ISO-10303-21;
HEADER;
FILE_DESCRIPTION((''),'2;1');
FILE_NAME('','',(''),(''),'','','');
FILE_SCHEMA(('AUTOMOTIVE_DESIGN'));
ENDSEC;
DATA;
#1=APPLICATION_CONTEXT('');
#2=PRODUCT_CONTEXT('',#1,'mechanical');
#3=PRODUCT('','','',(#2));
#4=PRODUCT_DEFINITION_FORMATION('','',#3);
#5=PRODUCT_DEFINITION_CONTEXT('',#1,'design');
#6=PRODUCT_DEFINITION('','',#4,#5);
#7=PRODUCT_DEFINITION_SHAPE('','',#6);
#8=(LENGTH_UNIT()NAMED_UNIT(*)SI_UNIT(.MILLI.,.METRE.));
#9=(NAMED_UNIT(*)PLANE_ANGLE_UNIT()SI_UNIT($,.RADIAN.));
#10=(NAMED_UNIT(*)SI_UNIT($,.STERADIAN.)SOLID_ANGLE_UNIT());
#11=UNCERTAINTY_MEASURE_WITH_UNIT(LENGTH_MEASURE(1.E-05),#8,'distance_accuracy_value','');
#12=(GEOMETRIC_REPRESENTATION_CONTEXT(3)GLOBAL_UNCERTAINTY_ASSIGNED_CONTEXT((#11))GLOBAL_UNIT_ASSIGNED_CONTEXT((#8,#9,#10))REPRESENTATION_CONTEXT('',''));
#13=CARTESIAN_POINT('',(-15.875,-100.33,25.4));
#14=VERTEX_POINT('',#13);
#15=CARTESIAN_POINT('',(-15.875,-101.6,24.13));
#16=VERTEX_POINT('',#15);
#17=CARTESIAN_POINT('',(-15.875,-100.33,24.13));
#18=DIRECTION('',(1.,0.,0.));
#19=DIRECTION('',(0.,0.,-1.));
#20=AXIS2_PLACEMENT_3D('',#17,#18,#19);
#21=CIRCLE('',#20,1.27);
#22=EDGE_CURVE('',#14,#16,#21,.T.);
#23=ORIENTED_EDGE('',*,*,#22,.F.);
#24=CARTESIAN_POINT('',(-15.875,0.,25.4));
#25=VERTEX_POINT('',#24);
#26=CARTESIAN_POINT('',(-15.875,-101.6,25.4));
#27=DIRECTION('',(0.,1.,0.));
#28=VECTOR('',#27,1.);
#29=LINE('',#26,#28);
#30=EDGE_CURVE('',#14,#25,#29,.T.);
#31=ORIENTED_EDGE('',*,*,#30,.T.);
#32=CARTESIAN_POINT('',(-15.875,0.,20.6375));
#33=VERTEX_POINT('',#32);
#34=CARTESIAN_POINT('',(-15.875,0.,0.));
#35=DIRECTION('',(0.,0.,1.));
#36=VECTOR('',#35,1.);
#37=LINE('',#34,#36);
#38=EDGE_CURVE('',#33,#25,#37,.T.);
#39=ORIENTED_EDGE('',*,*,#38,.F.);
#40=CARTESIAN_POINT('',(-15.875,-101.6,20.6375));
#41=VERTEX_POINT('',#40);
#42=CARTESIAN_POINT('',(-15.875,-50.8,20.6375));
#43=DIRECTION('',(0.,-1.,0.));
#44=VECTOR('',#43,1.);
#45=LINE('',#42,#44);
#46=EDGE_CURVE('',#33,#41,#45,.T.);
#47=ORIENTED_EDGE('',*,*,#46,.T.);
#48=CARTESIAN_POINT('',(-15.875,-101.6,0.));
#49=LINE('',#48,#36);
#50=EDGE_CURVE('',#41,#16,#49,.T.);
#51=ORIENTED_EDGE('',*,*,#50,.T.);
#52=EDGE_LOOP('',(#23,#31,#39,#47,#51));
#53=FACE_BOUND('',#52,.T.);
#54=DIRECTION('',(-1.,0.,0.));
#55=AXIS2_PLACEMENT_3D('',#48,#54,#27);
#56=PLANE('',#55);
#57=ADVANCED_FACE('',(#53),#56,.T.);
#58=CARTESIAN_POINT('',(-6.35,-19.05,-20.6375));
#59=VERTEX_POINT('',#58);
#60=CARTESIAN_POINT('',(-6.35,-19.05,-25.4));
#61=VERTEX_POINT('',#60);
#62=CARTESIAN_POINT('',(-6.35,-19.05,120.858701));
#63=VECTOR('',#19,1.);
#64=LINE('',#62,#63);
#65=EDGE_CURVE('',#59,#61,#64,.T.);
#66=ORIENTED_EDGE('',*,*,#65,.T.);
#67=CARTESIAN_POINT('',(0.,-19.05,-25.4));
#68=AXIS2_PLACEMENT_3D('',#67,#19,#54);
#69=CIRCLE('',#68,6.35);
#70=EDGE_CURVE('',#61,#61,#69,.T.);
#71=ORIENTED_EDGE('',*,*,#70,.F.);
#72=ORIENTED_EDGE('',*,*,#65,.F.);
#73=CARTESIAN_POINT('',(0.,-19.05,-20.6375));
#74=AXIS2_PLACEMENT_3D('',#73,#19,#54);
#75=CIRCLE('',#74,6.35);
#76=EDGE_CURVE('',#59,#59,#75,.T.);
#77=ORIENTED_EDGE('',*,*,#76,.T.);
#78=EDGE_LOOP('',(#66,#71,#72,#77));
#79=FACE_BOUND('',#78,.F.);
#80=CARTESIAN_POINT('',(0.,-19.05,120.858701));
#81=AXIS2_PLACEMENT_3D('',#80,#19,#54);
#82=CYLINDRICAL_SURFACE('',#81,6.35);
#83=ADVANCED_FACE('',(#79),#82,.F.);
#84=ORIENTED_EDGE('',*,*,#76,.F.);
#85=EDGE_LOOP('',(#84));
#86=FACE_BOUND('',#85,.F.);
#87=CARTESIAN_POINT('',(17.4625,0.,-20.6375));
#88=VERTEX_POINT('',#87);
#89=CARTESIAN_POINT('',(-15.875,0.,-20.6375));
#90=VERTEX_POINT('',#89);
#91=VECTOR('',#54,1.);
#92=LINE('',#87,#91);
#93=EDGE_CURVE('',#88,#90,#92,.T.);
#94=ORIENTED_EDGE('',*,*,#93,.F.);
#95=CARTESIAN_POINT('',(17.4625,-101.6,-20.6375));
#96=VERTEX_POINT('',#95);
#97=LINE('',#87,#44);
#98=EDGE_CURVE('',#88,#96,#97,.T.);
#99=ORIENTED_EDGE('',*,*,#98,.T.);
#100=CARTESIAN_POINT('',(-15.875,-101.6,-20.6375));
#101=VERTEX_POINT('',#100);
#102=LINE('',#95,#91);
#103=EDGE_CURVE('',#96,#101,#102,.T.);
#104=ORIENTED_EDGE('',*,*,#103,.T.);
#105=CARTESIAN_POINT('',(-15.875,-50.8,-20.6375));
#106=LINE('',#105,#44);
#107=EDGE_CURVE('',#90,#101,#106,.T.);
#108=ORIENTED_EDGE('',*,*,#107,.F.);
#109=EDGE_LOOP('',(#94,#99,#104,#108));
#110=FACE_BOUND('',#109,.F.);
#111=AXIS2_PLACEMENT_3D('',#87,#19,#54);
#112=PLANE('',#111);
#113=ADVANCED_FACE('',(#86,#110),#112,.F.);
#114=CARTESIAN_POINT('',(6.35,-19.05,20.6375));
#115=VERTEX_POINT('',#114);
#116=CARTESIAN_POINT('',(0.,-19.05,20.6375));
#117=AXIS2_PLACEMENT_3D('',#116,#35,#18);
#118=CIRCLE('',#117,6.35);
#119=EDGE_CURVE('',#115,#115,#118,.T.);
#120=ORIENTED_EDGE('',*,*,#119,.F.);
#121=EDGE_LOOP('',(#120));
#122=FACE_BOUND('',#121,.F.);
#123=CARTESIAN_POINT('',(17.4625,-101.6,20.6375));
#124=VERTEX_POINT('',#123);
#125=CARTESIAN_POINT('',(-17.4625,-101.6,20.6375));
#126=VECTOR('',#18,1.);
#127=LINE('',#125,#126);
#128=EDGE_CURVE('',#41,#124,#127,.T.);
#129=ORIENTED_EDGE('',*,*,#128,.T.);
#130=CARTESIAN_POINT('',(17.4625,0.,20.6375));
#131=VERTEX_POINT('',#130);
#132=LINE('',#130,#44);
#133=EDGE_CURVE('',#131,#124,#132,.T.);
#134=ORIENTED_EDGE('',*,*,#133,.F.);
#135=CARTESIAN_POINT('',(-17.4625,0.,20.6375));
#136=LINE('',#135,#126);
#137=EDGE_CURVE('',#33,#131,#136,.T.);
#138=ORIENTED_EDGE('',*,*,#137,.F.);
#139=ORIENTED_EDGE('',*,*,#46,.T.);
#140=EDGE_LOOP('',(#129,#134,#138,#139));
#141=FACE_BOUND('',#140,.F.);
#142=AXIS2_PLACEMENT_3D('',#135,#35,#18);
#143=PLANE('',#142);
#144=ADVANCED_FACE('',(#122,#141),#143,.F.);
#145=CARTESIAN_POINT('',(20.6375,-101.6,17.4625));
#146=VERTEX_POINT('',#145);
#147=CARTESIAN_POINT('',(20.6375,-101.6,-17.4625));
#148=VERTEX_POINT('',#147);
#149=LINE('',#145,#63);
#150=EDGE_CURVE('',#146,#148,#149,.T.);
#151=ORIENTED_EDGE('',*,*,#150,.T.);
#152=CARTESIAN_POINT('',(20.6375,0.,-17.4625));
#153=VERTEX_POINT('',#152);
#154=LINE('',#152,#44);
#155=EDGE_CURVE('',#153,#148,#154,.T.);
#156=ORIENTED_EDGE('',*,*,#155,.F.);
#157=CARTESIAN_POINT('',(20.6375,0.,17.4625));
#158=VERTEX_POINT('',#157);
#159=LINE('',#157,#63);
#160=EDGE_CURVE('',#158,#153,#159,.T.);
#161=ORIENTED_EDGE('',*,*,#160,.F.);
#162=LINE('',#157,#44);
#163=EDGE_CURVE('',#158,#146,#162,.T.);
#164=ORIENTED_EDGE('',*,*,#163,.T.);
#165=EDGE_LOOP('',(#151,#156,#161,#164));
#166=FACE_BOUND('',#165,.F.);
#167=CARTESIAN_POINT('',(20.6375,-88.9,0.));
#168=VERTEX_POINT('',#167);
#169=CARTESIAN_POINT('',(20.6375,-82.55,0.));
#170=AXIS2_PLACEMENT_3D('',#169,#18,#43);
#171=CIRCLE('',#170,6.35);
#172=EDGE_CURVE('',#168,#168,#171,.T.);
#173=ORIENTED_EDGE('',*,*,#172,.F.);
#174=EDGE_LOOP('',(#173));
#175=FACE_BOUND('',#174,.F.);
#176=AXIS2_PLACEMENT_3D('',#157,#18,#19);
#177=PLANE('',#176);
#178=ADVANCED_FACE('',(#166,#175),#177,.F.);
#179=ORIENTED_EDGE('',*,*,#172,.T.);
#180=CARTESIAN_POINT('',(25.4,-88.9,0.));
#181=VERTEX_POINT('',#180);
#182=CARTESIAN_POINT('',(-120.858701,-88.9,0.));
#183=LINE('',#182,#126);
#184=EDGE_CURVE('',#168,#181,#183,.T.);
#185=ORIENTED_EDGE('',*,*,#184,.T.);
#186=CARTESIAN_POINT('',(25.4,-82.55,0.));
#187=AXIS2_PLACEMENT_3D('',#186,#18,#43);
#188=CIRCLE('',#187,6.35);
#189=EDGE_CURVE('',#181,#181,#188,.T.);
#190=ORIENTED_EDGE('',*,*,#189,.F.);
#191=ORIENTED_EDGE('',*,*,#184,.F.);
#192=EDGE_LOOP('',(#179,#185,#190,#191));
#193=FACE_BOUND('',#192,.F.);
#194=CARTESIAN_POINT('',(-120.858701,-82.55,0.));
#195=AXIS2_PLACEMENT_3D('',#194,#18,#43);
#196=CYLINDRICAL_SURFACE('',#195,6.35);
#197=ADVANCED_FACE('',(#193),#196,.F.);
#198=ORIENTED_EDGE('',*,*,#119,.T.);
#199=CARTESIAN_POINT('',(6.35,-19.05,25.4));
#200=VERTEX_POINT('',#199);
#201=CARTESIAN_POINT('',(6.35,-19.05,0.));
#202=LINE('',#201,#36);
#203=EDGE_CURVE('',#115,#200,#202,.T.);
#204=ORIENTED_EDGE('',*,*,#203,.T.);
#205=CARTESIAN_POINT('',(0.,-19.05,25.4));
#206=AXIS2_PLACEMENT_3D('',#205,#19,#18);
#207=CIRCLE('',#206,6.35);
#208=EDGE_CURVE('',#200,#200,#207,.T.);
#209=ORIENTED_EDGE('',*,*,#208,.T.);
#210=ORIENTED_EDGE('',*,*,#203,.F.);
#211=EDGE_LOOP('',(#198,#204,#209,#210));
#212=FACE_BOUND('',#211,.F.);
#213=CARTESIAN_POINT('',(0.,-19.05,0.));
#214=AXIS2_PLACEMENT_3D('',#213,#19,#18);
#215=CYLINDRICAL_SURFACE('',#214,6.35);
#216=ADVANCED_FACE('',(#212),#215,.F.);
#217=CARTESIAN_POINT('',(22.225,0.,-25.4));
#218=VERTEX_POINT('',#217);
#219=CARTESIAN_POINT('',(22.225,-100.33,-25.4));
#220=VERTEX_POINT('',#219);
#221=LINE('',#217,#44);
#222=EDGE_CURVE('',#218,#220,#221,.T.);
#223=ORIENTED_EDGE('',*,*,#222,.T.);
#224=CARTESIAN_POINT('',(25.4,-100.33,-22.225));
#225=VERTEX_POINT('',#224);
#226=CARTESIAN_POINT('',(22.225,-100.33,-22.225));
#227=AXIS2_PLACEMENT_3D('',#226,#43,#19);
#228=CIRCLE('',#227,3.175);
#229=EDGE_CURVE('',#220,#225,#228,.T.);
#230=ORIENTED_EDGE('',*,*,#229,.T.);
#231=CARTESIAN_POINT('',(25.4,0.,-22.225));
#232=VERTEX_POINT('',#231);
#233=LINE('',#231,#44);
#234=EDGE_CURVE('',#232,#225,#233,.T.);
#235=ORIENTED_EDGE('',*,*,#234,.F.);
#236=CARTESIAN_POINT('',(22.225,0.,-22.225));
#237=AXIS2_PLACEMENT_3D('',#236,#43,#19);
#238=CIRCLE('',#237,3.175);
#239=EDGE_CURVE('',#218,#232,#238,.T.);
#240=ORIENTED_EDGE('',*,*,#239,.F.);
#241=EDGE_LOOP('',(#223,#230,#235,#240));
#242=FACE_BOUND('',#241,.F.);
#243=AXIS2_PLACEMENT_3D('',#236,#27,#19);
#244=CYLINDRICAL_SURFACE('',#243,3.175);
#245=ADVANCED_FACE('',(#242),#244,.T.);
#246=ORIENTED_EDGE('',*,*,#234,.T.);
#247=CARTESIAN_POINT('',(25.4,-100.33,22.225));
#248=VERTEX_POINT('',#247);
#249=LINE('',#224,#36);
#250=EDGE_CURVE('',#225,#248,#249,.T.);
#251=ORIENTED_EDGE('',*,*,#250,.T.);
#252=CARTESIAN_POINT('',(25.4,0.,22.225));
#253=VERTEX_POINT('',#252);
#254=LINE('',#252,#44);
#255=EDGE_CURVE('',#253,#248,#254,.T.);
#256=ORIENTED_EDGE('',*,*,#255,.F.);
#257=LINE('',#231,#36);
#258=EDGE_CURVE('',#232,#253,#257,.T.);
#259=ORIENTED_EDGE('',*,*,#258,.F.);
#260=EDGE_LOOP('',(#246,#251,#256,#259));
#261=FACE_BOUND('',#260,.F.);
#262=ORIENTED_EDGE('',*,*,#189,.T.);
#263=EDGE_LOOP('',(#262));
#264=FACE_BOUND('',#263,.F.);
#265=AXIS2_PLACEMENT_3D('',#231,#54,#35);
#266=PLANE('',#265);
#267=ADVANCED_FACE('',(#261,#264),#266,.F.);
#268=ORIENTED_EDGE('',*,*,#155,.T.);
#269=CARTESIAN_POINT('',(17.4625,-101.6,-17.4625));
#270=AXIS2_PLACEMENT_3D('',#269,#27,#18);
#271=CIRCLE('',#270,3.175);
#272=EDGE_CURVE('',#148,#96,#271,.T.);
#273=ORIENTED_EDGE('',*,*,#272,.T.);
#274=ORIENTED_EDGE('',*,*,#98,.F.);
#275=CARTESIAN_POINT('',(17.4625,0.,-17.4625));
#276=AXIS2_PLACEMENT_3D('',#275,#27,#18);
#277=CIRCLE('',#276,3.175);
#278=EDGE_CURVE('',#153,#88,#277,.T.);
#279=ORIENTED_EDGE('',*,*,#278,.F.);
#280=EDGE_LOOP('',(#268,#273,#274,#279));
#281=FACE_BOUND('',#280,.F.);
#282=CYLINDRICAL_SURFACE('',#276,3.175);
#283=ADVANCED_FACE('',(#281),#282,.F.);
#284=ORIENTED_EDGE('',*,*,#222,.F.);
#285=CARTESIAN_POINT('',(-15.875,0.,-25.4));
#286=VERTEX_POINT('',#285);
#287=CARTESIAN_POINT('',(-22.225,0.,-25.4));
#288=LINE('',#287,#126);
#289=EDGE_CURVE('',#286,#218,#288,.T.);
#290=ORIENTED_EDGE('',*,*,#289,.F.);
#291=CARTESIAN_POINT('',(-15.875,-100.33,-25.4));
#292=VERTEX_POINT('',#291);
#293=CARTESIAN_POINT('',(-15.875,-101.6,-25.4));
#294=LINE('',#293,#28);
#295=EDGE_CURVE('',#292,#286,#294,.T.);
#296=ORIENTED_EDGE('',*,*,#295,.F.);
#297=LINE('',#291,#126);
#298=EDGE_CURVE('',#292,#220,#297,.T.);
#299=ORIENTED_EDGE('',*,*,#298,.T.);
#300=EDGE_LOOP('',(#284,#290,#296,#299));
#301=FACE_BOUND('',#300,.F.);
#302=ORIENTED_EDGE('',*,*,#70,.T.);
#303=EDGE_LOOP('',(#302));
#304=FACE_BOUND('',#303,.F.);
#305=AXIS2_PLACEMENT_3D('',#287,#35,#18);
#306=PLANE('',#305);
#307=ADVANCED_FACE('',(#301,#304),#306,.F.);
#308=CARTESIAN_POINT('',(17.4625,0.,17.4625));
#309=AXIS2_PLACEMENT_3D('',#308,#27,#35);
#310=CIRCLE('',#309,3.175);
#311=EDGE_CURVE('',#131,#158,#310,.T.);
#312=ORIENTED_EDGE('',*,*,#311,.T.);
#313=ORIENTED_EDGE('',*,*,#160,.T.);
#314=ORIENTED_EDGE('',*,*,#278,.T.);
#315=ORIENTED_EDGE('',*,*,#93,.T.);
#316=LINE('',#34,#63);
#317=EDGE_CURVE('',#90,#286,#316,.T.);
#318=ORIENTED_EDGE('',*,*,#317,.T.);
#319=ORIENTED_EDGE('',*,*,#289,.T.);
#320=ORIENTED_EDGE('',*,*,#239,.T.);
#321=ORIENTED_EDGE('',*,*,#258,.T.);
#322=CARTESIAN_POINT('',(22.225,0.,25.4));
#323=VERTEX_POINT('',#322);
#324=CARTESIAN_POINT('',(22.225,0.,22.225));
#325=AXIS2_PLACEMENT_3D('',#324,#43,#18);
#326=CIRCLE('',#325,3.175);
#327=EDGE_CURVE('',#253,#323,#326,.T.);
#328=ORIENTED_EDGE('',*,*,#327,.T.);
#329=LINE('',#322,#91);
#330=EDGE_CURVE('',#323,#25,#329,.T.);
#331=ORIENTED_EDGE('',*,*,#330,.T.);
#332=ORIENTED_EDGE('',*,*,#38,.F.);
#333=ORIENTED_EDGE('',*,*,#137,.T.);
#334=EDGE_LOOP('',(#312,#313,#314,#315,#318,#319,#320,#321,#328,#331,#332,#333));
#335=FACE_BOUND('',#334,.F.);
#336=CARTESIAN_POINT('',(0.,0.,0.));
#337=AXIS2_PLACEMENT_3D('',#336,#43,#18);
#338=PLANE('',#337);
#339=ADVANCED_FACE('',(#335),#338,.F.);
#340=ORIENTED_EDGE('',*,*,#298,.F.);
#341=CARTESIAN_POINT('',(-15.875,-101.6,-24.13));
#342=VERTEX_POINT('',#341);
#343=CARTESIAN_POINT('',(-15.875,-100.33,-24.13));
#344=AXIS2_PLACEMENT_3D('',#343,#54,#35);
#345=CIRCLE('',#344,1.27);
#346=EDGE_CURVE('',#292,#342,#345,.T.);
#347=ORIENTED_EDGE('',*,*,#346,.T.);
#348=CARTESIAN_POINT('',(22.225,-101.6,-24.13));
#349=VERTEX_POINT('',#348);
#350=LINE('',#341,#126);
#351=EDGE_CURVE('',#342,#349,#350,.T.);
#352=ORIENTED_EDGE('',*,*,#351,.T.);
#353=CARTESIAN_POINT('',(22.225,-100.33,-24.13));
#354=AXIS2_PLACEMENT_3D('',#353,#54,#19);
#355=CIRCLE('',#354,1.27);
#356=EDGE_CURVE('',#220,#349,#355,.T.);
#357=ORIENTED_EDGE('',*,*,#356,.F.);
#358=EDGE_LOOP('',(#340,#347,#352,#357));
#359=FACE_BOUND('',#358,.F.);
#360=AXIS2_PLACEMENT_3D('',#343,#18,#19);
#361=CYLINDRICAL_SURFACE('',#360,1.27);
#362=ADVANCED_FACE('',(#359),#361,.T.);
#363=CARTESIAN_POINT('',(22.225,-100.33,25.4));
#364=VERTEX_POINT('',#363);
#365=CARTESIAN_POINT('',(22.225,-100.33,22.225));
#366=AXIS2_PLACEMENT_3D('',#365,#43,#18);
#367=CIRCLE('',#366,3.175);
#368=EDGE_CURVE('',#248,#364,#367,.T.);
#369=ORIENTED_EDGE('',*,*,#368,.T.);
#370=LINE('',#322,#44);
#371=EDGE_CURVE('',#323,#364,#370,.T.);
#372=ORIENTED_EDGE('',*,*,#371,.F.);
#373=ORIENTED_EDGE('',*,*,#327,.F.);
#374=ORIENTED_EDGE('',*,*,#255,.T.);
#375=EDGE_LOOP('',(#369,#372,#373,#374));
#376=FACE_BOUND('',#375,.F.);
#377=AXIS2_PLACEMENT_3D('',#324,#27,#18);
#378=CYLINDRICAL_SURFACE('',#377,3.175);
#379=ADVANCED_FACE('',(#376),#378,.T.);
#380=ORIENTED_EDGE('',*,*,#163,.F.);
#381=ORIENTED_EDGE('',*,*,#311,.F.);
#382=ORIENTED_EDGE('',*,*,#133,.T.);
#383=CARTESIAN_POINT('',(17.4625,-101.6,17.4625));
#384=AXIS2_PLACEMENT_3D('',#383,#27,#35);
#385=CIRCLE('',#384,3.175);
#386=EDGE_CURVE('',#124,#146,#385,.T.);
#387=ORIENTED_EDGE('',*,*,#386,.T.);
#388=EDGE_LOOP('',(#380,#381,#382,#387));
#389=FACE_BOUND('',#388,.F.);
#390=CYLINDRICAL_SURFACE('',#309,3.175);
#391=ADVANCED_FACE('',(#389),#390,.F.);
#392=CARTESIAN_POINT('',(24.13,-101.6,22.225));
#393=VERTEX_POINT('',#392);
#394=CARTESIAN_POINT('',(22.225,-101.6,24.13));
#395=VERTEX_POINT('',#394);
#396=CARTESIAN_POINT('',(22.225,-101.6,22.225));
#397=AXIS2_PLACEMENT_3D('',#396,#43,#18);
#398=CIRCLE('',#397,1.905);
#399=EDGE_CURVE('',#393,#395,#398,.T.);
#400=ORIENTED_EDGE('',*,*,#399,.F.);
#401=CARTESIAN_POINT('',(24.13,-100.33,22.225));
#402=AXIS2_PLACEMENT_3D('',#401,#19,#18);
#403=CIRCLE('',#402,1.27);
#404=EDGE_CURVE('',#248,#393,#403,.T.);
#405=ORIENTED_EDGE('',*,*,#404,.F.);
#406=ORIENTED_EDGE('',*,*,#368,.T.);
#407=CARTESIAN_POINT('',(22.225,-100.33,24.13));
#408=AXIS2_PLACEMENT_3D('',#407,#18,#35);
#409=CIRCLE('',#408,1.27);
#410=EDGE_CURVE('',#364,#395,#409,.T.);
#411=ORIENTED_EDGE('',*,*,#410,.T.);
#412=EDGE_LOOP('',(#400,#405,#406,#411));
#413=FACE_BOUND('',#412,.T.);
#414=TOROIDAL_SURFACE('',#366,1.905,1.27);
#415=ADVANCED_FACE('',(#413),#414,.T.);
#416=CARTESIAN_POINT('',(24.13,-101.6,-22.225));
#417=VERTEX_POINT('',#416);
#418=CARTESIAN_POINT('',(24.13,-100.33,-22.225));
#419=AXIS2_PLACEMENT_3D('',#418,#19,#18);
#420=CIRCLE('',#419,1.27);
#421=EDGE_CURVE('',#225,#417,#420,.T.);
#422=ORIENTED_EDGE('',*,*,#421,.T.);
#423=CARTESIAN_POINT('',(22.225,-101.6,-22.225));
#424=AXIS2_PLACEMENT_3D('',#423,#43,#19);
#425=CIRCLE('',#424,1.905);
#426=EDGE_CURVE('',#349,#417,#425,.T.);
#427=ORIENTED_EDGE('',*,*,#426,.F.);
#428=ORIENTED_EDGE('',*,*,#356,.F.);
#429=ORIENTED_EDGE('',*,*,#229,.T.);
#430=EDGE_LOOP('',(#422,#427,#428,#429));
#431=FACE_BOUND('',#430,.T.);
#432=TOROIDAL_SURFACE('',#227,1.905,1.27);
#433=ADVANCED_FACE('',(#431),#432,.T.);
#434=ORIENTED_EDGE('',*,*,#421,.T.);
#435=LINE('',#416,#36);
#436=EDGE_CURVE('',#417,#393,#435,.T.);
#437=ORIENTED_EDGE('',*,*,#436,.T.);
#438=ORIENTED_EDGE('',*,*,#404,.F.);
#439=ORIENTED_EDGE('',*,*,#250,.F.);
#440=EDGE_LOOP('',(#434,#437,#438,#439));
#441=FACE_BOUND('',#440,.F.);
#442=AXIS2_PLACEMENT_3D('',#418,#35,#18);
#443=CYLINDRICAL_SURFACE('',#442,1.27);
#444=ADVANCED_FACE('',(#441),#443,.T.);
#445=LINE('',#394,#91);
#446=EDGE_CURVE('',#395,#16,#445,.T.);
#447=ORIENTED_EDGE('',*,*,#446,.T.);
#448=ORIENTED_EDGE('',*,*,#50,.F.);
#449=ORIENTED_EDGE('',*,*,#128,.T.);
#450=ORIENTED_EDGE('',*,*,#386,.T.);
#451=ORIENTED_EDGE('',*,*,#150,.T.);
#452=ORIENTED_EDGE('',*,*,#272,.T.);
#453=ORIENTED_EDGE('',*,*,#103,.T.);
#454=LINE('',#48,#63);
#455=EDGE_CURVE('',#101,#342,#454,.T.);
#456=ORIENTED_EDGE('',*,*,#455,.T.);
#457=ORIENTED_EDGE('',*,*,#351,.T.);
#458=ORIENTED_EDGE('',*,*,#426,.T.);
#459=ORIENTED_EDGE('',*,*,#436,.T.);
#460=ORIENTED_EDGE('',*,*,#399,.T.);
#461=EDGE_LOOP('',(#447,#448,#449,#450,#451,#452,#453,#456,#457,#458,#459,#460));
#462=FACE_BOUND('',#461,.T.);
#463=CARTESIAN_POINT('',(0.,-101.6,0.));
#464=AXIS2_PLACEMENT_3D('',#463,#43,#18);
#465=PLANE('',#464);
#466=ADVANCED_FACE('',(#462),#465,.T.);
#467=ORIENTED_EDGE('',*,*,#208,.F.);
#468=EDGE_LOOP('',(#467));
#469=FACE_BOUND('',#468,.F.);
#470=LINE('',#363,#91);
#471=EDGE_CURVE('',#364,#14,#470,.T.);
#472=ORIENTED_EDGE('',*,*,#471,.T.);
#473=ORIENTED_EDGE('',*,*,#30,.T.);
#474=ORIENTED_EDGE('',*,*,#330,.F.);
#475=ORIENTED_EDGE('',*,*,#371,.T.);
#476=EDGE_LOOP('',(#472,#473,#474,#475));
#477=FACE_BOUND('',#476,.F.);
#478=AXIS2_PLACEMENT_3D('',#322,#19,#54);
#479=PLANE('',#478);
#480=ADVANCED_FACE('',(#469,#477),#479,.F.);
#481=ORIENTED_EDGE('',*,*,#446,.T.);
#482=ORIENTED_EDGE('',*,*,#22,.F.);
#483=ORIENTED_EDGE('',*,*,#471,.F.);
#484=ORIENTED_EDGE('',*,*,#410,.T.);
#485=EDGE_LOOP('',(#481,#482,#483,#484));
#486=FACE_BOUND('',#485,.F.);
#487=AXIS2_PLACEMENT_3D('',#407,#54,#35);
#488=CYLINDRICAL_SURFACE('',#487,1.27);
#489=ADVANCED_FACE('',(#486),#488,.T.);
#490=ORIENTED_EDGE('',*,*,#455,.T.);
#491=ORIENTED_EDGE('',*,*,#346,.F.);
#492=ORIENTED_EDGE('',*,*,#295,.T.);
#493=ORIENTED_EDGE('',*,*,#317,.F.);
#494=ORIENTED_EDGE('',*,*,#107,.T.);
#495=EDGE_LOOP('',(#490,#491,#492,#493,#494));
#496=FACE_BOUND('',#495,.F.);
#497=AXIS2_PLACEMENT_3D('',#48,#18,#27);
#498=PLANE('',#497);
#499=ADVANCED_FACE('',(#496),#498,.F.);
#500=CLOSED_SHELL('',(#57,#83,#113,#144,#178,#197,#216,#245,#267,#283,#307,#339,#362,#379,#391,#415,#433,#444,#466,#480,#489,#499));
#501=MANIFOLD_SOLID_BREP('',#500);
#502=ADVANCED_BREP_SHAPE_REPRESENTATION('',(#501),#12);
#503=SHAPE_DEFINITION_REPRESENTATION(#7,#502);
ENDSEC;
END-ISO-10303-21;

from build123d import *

# Parameters (mm, degrees)
F7_DEPTH       = 101.6
F2_DEPTH       = 25.4
F2_DEPTH_BACK  = 25.4
F4_D           = 12.7
F4_ON_F1_D     = 12.7
F4_ON_F1_DEPTH = 25.401
F5_D           = 12.7
F6_R           = 1.27


with BuildPart() as f7:
    # F0 (on Front) → F7 (new body)
    with BuildSketch(Plane.XZ):
        with BuildLine():
            Line((-22.225, -25.4), (22.225, -25.4))
            ThreePointArc((22.225, -25.4), (24.4700640303, -24.4700640303), (25.4, -22.225))
            Line((25.4, -22.225), (25.4, 22.225))
            ThreePointArc((25.4, 22.225), (24.4700640303, 24.4700640303), (22.225, 25.4))
            Line((22.225, 25.4), (-22.225, 25.4))
            ThreePointArc((-22.225, 25.4), (-24.4700640303, 24.4700640303), (-25.4, 22.225))
            Line((-25.4, 22.225), (-25.4, -22.225))
            ThreePointArc((-25.4, -22.225), (-24.4700640303, -24.4700640303), (-22.225, -25.4))
        make_face()
        with BuildLine():
            ThreePointArc((20.6375, -17.4625), (19.7075640303, -19.7075640303), (17.4625, -20.6375))
            Line((17.4625, -20.6375), (-17.4625, -20.6375))
            ThreePointArc((-17.4625, -20.6375), (-19.7075640303, -19.7075640303), (-20.6375, -17.4625))
            Line((-20.6375, -17.4625), (-20.6375, 17.4625))
            ThreePointArc((-20.6375, 17.4625), (-19.7075640303, 19.7075640303), (-17.4625, 20.6375))
            Line((-17.4625, 20.6375), (17.4625, 20.6375))
            ThreePointArc((17.4625, 20.6375), (19.7075640303, 19.7075640303), (20.6375, 17.4625))
            Line((20.6375, 17.4625), (20.6375, -17.4625))
        make_face(mode=Mode.SUBTRACT)
    extrude(amount=F7_DEPTH)

    # F1 (on Top) → F2 (cut, two sides)
    with BuildSketch(Plane.XY) as f2_sk:
        Polygon((-15.875, -63.5), (-15.875, 0), (-37.8918275237, 0), (-37.8918275237, -101.6), (-20.6375, -101.6), (-15.875, -101.6), align=None)
    extrude(amount=-F2_DEPTH, mode=Mode.SUBTRACT)
    extrude(f2_sk.sketch, amount=F2_DEPTH_BACK, mode=Mode.SUBTRACT)

    # F4 (through all)
    with Locations(Plane(origin=(0, 0, 0), x_dir=(0, 1, 0), z_dir=(-1, 0, 0))):
        with Locations((-82.55, 0)):
            Hole(F4_D / 2)

    # F4 on F1 (through all, one way)
    with BuildSketch(Plane(origin=(0, 0, 0), x_dir=(1, 0, 0), z_dir=(0, 0, -1))):
        with Locations((0, 19.05)):
            Circle(F4_ON_F1_D / 2)
    extrude(amount=-F4_ON_F1_DEPTH, mode=Mode.SUBTRACT)

    # F5 (through all)
    with Locations(Plane.XY):
        with Locations((0, -19.05)):
            Hole(F5_D / 2)

    # F6
    f6_edges = [f7.edges().sort_by_distance(p)[0] for p in [
        (25.4, -101.6, 0),
    ]]
    fillet(f6_edges, radius=F6_R)


solid = f7.part
